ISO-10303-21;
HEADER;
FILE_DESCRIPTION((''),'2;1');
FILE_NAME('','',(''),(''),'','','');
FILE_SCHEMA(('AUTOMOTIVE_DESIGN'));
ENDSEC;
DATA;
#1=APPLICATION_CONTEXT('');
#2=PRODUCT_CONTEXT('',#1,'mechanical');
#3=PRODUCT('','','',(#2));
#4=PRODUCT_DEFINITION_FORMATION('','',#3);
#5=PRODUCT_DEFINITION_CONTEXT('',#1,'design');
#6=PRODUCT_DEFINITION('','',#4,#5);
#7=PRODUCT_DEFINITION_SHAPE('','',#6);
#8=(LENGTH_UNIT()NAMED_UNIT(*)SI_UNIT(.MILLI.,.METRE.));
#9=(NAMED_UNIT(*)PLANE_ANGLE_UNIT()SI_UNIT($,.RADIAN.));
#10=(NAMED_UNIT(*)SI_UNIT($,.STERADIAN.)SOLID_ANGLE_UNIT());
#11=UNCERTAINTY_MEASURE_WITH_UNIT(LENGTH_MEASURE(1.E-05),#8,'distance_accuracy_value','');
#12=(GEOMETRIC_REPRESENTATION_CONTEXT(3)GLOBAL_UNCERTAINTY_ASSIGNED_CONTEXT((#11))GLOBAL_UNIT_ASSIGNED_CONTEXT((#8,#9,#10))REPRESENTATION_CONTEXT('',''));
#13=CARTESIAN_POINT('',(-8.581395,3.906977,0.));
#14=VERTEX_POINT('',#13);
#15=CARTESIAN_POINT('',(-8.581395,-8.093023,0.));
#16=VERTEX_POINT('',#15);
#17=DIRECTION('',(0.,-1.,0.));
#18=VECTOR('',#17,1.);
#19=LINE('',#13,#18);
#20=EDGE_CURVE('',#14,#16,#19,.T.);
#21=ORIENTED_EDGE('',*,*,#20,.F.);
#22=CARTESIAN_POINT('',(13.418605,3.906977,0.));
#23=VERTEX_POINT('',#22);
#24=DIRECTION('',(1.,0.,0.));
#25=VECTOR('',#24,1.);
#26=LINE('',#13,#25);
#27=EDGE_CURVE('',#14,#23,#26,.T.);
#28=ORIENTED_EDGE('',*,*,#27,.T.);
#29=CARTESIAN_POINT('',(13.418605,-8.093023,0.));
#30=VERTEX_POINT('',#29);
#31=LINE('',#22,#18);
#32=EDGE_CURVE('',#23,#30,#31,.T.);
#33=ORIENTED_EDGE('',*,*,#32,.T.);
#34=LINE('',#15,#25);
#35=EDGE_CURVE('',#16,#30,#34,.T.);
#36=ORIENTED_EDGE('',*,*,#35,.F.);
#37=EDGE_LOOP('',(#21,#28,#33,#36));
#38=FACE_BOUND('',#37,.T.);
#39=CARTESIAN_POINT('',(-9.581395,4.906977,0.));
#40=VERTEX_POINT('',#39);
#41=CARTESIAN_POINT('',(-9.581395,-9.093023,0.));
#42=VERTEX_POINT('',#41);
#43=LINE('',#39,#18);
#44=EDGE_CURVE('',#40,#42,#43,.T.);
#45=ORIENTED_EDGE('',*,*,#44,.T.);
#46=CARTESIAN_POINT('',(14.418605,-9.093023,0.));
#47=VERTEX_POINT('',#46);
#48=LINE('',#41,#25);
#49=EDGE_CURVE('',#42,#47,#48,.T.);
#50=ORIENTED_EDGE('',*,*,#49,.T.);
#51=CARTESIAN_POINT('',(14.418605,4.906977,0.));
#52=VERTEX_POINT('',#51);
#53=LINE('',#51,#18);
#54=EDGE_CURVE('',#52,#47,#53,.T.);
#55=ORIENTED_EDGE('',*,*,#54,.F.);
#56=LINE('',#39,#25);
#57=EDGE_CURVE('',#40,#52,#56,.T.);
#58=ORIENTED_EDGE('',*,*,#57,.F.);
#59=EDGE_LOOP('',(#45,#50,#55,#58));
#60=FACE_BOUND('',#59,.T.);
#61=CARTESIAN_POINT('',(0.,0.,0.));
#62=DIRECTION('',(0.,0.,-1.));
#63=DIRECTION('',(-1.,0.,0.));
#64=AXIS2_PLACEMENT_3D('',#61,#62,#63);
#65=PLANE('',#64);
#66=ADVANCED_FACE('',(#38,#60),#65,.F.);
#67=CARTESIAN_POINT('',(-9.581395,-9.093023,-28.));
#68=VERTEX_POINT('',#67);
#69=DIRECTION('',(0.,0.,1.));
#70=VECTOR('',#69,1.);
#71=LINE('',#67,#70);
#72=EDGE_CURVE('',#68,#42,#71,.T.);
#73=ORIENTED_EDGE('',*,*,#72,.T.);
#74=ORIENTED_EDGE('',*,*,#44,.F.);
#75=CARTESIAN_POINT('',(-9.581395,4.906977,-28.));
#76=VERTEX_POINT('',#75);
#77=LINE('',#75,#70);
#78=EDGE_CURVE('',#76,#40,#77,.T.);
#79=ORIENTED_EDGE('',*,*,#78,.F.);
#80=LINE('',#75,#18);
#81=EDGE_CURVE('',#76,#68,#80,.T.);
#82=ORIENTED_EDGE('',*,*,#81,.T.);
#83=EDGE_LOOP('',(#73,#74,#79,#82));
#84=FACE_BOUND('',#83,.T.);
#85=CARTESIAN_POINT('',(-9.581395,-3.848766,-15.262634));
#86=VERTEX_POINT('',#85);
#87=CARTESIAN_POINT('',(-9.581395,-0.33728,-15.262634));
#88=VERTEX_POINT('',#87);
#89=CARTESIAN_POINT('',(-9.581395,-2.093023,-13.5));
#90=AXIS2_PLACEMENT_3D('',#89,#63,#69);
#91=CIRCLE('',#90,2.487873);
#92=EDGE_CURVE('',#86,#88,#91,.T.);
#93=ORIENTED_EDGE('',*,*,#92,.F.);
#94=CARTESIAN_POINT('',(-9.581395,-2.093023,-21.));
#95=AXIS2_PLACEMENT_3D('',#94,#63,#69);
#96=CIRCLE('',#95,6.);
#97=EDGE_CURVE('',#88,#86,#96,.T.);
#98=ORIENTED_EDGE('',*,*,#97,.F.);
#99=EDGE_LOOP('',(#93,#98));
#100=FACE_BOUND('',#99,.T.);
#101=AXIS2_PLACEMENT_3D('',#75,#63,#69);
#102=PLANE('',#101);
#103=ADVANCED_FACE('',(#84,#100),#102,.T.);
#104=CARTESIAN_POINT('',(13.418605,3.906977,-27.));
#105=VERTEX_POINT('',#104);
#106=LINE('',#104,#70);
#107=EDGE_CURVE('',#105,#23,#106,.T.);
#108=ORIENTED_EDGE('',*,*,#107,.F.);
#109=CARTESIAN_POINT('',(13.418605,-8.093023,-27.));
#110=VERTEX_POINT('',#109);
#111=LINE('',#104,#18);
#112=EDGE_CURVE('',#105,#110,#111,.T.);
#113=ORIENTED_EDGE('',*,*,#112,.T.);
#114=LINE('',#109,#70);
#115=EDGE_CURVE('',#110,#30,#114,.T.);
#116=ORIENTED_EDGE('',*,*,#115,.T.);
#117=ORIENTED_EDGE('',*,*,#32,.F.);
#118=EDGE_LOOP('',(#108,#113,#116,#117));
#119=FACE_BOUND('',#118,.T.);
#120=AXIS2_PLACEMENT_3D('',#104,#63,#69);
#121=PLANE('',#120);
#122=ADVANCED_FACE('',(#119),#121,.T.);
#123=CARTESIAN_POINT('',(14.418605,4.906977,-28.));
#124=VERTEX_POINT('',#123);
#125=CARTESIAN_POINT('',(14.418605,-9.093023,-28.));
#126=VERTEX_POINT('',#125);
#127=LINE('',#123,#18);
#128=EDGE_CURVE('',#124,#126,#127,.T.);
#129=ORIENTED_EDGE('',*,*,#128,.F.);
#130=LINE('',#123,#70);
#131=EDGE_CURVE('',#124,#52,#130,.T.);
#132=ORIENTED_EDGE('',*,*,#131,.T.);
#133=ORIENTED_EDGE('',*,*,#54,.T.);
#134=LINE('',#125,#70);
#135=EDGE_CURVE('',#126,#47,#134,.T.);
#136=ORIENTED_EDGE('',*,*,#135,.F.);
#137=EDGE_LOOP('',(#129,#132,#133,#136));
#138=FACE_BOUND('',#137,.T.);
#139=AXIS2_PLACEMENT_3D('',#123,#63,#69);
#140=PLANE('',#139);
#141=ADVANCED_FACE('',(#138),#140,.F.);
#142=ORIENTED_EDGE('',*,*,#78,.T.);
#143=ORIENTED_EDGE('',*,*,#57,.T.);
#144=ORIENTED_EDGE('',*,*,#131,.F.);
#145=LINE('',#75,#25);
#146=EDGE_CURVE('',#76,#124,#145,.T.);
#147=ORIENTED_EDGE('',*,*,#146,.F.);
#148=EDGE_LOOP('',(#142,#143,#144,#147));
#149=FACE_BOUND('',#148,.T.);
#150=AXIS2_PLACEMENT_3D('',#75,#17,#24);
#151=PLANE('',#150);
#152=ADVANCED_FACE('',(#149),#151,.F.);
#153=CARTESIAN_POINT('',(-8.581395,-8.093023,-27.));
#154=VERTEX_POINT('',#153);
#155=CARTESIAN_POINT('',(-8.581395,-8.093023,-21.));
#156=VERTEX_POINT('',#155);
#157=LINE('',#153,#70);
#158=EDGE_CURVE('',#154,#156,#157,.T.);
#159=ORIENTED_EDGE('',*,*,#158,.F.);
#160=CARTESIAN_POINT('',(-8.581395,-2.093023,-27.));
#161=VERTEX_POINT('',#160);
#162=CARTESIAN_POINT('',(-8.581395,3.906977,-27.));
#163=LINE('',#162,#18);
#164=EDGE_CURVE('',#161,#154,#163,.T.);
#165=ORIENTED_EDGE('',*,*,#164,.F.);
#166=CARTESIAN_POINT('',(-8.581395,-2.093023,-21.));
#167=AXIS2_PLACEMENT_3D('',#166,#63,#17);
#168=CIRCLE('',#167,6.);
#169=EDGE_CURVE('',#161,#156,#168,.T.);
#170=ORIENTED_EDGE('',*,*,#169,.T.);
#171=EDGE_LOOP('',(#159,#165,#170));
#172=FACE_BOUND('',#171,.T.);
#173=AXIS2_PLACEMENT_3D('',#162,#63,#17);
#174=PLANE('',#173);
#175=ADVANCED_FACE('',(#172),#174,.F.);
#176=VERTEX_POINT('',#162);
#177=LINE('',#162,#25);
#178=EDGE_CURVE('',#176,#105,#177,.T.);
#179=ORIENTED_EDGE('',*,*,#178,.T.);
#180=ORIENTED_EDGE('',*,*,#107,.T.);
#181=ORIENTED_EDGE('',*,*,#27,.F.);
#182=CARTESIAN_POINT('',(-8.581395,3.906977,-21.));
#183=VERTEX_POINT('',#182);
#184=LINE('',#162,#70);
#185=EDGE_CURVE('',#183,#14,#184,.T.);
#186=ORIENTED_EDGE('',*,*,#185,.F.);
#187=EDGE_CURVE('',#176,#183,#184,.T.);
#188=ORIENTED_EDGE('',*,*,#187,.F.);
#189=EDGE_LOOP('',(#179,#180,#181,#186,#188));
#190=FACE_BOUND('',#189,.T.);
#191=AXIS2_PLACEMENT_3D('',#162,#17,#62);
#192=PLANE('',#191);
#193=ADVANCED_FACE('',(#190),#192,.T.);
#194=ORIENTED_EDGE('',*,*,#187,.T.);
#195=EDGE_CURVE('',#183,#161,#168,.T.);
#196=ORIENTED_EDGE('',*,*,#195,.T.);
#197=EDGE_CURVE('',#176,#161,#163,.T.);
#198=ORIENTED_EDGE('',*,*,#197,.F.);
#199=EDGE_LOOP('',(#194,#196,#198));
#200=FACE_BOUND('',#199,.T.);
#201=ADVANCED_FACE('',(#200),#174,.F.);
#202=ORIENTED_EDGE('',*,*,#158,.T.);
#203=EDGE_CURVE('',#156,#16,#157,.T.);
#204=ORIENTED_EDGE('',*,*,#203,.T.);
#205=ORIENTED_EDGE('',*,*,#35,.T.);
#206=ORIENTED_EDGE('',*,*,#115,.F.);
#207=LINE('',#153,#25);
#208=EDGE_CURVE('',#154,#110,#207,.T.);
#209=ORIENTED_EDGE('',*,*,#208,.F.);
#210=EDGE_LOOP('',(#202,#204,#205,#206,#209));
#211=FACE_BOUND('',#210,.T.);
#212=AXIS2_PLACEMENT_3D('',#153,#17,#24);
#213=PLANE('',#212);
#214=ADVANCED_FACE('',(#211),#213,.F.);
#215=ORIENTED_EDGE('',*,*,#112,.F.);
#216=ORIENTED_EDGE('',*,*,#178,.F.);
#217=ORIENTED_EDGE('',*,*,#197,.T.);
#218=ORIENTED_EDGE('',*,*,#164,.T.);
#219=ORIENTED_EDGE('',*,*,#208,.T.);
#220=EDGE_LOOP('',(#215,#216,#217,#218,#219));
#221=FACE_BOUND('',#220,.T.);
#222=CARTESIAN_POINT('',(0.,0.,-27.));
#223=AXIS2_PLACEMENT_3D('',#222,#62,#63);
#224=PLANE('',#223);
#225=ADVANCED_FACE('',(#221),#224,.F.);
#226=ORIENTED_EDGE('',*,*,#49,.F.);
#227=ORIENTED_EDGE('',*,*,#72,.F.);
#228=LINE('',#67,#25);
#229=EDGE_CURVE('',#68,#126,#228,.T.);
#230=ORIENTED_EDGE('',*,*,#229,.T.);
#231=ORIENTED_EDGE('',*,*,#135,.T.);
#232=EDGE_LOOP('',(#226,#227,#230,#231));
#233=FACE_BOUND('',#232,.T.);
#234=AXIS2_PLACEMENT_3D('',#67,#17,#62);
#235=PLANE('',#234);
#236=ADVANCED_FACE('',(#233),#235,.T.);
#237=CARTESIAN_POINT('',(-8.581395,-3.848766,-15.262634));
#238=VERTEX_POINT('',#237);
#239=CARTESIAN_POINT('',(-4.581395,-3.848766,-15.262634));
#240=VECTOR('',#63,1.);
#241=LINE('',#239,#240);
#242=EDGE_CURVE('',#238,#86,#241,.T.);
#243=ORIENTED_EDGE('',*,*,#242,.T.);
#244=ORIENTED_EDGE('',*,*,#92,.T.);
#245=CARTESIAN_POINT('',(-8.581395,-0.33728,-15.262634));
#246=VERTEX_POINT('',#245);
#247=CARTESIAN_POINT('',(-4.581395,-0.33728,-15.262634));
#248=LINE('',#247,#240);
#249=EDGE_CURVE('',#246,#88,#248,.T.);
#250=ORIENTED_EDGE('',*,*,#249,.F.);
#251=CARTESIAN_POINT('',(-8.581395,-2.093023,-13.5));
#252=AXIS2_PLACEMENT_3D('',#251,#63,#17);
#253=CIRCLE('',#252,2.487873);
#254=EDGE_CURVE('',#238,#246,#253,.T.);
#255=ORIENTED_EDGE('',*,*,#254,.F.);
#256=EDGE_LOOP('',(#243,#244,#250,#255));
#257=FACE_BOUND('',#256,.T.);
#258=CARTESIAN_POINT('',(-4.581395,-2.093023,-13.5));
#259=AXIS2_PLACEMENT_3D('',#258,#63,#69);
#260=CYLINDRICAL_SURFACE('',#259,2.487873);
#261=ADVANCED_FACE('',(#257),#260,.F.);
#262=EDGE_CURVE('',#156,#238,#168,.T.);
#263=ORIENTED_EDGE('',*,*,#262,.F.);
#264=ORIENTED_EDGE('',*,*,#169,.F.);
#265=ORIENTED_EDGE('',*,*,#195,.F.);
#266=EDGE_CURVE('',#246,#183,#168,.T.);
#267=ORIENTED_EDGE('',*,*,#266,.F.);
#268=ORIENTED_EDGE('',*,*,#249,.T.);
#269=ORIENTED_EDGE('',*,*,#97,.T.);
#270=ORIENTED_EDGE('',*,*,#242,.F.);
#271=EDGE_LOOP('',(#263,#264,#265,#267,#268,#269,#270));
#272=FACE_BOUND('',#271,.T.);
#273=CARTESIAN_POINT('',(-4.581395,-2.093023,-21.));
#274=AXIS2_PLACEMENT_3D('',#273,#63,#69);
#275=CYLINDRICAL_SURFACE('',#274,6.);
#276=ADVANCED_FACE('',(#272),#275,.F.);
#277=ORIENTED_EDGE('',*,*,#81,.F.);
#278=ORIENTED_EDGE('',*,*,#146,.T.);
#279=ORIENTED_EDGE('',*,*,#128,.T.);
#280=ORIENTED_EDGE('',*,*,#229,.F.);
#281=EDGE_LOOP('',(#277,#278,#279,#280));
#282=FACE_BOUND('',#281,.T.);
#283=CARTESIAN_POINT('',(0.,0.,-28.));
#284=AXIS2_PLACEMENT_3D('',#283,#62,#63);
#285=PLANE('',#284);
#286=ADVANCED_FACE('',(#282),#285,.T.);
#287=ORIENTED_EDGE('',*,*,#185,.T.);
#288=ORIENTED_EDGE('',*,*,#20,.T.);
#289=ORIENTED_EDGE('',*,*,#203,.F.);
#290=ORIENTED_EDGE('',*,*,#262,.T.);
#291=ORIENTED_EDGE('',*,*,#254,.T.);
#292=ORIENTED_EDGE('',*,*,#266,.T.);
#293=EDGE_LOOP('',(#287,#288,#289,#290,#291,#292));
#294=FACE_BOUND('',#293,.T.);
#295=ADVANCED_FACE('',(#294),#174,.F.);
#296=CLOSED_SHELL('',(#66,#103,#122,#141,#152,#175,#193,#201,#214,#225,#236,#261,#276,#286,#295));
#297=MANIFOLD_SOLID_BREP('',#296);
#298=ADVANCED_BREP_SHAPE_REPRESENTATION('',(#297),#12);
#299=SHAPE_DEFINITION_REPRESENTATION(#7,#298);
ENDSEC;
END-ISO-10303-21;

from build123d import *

# Parameters (mm, degrees)
SKETCH1_W           = 24
SKETCH1_H           = 14
BOSS_EXTRUDE4_DEPTH = 28
SKETCH3_W           = 22
SKETCH3_H           = 12
CUT_EXTRUDE1_DEPTH  = 27
SKETCH4_R           = 6
SKETCH4_R_2         = 2.487873036
CUT_EXTRUDE7_DEPTH  = 5


with BuildPart() as part:
    # Sketch1 → Boss-Extrude4 (new body)
    with BuildSketch(Plane.XY):
        with Locations((2.418604651, -2.093023256)):
            Rectangle(SKETCH1_W, SKETCH1_H)
    extrude(amount=-BOSS_EXTRUDE4_DEPTH)

    # Sketch3 → Cut-Extrude1 (cut)
    with BuildSketch(Plane.XY):
        with Locations((2.418604651, -2.093023256)):
            Rectangle(SKETCH3_W, SKETCH3_H)
    extrude(amount=-CUT_EXTRUDE1_DEPTH, mode=Mode.SUBTRACT)

    # Sketch4 → Cut-Extrude7 (cut)
    with BuildSketch(Plane.ZY.offset(9.581395349)):
        with Locations((-21, -2.093023256)):
            Circle(SKETCH4_R)
        with Locations((-13.5, -2.093023256)):
            Circle(SKETCH4_R_2)
    extrude(amount=-CUT_EXTRUDE7_DEPTH, mode=Mode.SUBTRACT)


solid = part.part
